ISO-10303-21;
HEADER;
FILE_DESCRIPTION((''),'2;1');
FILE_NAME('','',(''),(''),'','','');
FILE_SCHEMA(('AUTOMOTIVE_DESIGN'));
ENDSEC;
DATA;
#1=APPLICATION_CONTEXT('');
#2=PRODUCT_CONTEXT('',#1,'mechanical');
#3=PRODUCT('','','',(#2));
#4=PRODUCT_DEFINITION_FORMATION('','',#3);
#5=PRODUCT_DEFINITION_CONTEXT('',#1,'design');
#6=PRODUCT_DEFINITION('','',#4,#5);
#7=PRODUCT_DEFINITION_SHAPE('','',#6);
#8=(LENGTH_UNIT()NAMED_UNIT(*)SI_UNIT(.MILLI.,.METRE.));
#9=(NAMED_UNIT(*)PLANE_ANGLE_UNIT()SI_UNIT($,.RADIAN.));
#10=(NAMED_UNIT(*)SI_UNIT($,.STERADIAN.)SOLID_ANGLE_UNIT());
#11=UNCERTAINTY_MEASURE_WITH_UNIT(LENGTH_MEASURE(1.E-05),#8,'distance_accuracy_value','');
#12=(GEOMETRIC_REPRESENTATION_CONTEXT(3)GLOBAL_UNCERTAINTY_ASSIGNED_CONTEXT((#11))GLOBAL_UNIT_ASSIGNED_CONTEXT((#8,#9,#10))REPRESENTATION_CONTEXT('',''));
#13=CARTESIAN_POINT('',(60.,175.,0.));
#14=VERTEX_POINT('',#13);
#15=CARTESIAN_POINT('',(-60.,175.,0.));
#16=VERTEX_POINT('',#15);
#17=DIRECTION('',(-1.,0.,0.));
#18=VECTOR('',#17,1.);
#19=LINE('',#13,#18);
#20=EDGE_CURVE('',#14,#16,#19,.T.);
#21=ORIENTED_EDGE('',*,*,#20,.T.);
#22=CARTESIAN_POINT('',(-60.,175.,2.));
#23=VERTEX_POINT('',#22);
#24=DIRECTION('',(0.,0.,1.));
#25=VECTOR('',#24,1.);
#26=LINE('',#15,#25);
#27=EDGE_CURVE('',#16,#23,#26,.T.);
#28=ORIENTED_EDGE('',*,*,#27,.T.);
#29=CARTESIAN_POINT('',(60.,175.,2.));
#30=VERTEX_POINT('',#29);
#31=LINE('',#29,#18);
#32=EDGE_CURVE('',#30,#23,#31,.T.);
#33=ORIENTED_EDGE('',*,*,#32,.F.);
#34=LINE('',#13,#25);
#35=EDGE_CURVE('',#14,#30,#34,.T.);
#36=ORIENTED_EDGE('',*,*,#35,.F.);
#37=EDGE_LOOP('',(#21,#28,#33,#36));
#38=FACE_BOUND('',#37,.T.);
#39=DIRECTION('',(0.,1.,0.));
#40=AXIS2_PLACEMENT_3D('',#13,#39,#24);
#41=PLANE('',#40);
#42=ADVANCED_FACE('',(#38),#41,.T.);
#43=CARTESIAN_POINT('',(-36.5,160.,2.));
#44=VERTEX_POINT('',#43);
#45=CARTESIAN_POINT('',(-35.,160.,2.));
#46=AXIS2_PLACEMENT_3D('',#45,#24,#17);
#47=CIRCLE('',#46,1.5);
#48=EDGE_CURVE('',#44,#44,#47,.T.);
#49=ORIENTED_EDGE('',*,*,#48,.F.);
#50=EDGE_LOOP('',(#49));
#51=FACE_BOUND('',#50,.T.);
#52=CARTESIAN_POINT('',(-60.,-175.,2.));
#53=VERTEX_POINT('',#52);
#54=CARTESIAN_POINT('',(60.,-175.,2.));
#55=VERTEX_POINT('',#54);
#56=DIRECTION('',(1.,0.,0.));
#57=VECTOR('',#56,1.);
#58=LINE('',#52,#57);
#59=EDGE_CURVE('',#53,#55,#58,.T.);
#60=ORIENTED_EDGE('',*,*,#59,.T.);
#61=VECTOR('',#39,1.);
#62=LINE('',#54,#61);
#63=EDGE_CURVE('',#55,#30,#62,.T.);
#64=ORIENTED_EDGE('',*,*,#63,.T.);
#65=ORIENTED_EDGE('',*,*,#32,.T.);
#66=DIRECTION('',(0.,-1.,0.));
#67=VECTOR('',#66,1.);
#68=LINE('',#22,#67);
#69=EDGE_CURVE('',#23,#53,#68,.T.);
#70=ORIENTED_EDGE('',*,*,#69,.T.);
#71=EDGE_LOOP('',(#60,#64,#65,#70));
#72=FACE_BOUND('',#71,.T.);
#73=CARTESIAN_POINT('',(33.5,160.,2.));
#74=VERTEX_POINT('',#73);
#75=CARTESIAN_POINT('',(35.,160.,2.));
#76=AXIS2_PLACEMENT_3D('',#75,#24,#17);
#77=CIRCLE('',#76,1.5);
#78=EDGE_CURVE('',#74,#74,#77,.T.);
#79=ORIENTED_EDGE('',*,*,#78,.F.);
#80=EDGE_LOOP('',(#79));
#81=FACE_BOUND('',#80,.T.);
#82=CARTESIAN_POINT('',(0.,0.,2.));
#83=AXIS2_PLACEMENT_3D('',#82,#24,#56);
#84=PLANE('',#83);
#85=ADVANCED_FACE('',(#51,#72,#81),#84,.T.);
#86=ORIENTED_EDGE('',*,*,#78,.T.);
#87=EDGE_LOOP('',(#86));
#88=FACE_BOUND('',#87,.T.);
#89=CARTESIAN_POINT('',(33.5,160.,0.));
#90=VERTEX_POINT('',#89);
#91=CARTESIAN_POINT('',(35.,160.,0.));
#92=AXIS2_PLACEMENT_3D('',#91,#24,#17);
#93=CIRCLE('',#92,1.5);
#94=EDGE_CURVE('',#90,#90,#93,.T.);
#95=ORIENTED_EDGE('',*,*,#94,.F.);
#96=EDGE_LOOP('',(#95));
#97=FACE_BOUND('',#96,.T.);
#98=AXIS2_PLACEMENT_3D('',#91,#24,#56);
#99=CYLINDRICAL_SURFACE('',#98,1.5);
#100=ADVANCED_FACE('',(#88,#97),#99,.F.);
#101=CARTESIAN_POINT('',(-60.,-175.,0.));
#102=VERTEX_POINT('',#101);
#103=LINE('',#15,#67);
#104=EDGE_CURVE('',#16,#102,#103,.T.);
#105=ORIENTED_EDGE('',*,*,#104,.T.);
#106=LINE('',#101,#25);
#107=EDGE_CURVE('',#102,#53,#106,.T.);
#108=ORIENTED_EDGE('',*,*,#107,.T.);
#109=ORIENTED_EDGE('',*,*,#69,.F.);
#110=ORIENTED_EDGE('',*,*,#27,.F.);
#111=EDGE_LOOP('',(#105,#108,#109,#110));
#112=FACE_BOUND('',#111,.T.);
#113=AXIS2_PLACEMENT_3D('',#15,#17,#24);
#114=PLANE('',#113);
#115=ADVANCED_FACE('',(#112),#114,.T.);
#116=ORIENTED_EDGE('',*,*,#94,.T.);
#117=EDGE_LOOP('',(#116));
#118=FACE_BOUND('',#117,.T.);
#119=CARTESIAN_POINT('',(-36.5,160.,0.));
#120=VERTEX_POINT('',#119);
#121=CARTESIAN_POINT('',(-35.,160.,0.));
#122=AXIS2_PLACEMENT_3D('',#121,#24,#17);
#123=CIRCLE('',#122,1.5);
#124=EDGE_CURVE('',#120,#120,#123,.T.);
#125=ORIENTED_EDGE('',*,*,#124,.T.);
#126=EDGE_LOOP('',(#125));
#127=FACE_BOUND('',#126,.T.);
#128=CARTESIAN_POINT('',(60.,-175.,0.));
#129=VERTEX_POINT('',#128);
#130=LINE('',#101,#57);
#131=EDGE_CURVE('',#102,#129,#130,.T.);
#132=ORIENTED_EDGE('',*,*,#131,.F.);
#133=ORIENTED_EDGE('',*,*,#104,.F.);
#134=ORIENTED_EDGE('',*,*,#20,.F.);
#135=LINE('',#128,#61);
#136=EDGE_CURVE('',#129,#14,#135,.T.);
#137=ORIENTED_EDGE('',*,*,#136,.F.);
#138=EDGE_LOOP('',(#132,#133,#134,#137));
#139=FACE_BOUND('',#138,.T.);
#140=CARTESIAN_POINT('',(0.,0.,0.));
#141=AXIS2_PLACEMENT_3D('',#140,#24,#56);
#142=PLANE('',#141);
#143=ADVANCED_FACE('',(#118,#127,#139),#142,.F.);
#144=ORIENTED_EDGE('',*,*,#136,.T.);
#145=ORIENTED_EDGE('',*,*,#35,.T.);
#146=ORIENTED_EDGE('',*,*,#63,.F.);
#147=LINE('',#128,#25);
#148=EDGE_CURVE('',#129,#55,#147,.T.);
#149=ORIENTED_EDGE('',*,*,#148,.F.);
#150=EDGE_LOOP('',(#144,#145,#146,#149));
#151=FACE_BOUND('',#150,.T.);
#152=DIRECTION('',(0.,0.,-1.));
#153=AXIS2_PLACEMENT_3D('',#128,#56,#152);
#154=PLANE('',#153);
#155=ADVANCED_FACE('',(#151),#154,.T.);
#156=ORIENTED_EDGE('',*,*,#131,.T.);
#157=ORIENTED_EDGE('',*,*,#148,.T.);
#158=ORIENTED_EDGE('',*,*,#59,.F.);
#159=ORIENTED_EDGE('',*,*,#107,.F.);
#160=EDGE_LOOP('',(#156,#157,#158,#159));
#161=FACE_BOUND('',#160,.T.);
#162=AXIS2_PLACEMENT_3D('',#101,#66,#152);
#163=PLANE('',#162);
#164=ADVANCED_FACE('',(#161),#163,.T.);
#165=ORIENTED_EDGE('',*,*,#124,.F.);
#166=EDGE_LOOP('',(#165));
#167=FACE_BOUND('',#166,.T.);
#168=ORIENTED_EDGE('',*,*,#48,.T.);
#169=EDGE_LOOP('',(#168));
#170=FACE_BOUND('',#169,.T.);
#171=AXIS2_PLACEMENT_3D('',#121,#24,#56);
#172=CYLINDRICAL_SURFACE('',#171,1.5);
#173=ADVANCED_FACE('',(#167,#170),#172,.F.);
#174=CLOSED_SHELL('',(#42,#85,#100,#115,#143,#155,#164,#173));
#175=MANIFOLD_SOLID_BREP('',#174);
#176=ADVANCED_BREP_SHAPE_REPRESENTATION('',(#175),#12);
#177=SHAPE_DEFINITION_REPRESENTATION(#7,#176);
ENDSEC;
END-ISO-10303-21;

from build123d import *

# Parameters (mm, degrees)
SKETCH_1_W      = 120
SKETCH_1_H      = 350
SKETCH_1_R      = 1.5
EXTRUDE_1_DEPTH = 2


with BuildPart() as part:
    # 草图1 → 凸台-拉伸1 (new body)
    with BuildSketch(Plane.XY.offset(2)):
        Rectangle(SKETCH_1_W, SKETCH_1_H)
        with Locations((35, 160)):
            Circle(SKETCH_1_R, mode=Mode.SUBTRACT)
        with Locations((-35, 160)):
            Circle(SKETCH_1_R, mode=Mode.SUBTRACT)
    extrude(amount=-EXTRUDE_1_DEPTH)


solid = part.part
